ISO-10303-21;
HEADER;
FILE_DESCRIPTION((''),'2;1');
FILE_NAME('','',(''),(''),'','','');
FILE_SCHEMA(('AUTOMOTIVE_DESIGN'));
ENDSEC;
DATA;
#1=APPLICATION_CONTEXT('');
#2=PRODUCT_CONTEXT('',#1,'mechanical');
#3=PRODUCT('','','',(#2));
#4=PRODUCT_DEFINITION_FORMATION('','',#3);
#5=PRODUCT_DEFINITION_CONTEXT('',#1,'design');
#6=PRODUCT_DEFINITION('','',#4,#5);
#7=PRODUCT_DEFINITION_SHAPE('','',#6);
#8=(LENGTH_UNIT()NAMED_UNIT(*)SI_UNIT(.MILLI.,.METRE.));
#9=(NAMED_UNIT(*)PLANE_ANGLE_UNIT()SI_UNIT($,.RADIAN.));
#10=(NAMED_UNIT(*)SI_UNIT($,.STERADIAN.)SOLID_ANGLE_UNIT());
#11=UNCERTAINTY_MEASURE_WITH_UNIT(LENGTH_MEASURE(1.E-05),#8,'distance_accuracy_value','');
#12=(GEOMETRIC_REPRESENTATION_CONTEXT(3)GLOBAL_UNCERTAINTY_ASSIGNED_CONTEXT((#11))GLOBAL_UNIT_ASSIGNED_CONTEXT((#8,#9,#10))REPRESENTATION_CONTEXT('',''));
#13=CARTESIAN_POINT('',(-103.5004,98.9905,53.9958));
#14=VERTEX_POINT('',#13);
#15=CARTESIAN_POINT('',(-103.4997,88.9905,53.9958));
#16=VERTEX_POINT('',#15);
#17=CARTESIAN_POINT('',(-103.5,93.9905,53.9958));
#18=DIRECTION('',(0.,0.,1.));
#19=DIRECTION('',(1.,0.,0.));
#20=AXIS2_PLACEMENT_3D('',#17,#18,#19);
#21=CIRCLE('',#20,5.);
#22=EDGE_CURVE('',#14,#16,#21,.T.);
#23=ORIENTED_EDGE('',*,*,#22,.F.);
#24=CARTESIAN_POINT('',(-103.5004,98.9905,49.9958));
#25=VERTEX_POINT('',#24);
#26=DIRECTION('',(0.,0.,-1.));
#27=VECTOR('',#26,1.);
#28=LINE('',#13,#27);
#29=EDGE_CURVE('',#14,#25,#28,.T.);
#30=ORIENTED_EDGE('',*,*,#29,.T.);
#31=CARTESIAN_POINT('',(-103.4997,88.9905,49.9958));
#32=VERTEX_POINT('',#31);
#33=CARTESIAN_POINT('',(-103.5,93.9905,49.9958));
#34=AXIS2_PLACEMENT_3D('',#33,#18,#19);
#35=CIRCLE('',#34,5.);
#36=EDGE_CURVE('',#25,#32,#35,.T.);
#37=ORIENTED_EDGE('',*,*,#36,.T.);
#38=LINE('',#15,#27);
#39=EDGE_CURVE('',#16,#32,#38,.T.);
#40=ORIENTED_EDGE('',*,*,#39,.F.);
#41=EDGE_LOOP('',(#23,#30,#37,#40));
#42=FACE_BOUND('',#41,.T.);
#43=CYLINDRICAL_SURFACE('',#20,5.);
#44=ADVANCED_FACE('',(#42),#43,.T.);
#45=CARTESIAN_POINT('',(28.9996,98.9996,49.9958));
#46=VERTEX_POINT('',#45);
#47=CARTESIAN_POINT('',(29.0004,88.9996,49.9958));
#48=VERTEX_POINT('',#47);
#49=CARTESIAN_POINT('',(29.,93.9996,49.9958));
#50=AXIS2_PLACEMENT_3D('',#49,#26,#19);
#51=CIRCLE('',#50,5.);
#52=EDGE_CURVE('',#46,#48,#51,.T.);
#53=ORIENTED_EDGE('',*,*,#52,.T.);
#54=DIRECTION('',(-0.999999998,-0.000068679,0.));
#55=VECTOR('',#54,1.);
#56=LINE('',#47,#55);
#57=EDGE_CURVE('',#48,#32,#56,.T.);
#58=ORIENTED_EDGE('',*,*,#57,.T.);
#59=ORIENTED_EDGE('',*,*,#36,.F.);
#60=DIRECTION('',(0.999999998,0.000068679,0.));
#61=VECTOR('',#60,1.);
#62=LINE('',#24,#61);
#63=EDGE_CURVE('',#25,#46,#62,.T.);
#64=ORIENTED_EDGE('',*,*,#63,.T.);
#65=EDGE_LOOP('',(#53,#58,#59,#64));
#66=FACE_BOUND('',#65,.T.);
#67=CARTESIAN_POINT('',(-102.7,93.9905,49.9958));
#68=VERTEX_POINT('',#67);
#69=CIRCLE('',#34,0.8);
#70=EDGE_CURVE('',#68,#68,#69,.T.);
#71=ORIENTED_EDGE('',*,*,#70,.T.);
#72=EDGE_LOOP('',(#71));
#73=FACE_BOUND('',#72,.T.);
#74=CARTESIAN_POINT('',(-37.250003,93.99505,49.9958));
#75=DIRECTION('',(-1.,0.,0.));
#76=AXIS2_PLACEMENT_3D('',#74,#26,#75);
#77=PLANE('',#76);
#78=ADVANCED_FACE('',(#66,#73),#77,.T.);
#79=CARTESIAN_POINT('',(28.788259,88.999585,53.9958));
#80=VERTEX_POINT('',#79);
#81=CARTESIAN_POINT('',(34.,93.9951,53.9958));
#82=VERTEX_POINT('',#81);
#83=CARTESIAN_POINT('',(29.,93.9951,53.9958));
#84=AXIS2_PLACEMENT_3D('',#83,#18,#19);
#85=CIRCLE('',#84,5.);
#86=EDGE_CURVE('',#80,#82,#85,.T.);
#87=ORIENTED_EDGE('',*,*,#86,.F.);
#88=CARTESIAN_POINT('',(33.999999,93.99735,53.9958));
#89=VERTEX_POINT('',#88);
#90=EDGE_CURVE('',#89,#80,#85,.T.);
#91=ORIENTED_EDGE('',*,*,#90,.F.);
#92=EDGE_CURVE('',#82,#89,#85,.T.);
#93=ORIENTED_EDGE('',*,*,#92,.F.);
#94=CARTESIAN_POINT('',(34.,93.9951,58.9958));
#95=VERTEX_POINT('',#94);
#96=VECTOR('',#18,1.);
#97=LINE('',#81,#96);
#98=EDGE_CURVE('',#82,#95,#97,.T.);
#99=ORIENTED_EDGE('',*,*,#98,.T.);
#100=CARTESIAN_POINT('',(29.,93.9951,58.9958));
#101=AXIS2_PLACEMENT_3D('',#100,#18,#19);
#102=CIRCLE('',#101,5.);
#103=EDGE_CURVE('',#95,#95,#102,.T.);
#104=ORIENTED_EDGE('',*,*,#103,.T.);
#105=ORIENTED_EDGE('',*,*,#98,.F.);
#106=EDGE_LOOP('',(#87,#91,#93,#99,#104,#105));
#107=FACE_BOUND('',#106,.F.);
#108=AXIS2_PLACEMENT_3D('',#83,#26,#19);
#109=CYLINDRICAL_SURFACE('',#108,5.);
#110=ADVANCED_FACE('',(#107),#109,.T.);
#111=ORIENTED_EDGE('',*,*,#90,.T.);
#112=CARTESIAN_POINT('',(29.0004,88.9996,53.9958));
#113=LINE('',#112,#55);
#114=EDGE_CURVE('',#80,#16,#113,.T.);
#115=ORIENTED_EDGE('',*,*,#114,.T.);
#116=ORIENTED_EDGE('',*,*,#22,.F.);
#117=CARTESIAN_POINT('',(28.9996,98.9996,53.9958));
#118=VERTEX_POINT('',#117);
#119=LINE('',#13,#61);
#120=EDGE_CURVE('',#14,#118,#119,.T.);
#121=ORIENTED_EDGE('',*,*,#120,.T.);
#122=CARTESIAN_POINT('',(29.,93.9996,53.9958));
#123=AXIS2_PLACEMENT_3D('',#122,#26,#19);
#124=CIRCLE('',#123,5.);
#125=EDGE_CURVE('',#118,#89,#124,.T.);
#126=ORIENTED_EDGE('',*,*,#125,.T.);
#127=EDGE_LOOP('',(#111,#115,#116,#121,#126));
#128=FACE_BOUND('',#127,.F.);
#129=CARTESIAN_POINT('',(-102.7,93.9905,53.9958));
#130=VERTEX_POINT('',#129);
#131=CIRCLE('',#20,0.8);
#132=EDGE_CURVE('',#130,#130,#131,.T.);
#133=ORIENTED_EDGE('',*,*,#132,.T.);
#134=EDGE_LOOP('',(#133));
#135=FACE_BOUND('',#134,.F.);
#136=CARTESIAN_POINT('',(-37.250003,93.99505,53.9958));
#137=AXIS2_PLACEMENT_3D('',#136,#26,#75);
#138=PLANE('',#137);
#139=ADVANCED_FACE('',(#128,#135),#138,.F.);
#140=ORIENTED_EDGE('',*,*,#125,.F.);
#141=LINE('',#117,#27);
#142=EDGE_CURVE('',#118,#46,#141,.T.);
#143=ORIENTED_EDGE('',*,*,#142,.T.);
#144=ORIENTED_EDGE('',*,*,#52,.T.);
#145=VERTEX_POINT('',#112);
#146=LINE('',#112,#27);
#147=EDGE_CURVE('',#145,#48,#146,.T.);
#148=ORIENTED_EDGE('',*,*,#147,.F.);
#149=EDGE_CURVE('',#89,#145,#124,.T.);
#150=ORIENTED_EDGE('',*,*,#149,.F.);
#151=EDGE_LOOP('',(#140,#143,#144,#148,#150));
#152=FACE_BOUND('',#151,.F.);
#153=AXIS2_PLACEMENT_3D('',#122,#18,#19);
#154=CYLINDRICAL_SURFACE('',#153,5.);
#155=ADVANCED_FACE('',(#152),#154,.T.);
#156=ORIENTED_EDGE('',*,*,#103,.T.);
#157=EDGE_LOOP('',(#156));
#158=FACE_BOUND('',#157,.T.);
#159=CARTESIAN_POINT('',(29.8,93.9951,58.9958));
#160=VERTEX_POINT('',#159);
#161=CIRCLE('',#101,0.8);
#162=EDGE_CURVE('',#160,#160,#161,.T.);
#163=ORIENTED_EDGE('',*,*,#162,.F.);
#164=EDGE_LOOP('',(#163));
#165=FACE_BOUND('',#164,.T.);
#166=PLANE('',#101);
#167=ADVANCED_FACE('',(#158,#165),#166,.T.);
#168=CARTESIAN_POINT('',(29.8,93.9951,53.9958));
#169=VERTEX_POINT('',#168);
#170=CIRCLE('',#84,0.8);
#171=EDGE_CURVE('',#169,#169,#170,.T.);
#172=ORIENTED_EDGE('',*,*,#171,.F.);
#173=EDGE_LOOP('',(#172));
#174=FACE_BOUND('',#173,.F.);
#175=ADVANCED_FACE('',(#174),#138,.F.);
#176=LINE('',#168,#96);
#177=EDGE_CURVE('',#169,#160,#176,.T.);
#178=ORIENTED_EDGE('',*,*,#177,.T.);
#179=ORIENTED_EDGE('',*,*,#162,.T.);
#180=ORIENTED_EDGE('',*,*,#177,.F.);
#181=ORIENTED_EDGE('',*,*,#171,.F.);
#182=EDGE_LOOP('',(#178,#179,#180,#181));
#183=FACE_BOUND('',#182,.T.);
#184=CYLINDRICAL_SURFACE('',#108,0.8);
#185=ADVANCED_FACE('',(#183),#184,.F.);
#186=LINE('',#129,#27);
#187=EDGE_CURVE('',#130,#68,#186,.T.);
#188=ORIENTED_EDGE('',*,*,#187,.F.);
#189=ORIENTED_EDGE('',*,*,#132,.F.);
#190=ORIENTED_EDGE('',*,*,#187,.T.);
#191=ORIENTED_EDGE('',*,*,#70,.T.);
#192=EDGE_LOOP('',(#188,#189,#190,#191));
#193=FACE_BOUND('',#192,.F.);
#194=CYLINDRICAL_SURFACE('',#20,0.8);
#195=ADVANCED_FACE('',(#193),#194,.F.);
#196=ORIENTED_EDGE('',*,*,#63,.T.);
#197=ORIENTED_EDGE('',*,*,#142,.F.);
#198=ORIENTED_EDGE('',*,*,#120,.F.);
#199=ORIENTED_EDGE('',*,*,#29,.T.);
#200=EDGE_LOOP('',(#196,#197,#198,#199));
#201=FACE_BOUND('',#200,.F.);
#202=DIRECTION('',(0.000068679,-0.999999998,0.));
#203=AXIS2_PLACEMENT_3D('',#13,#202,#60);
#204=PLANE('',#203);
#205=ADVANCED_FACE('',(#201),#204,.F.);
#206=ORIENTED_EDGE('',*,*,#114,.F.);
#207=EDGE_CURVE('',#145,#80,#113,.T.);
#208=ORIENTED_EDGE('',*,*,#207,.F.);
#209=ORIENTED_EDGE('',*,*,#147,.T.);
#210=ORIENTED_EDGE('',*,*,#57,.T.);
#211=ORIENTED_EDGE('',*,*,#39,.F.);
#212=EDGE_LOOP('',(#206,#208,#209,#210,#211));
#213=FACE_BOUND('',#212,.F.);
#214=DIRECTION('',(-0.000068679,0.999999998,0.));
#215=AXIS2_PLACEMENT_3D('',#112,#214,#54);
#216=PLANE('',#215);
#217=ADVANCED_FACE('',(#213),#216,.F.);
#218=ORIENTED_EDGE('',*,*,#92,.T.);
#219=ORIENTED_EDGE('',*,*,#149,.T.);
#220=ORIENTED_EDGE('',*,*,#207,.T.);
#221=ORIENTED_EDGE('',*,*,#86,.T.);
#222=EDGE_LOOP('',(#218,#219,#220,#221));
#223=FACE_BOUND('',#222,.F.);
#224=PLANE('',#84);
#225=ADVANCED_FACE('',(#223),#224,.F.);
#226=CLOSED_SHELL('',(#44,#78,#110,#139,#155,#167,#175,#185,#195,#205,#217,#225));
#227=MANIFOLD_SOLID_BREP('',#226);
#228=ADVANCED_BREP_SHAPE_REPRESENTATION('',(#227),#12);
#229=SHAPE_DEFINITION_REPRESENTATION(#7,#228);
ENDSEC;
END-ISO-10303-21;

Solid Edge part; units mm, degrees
sketch "Sketch1" plane through (0, 0, 53.9958) normal (0, 0, 1) x (1, 0, 0)
  line L0 (-103.5004, 98.9905) -> (28.9996, 98.9996)
  line L1 (29.0004, 88.9996) -> (-103.4997, 88.9905)
  arc A0 (-103.5004, 98.9905) -> (-103.4997, 88.9905) centre (-103.5, 93.9905) ccw
  arc A1 (28.9996, 98.9996) -> (29.0004, 88.9996) centre (29, 93.9996) cw
  circle A2 centre (-103.5, 93.9905) radius 0.8
extrude "Protrusion1" add sketch "Sketch1" against normal blind 4
sketch "Sketch2" plane through (-37.25, 93.9951, 53.9958) normal (0, 0, 1) x (1, 0.0001, 0)
  circle A0 centre (66.25, 0) radius 5
  circle A1 centre (66.25, 0) radius 0.8
extrude "ExtrudedProtrusion_5" add sketch "Sketch2" along normal blind 5
